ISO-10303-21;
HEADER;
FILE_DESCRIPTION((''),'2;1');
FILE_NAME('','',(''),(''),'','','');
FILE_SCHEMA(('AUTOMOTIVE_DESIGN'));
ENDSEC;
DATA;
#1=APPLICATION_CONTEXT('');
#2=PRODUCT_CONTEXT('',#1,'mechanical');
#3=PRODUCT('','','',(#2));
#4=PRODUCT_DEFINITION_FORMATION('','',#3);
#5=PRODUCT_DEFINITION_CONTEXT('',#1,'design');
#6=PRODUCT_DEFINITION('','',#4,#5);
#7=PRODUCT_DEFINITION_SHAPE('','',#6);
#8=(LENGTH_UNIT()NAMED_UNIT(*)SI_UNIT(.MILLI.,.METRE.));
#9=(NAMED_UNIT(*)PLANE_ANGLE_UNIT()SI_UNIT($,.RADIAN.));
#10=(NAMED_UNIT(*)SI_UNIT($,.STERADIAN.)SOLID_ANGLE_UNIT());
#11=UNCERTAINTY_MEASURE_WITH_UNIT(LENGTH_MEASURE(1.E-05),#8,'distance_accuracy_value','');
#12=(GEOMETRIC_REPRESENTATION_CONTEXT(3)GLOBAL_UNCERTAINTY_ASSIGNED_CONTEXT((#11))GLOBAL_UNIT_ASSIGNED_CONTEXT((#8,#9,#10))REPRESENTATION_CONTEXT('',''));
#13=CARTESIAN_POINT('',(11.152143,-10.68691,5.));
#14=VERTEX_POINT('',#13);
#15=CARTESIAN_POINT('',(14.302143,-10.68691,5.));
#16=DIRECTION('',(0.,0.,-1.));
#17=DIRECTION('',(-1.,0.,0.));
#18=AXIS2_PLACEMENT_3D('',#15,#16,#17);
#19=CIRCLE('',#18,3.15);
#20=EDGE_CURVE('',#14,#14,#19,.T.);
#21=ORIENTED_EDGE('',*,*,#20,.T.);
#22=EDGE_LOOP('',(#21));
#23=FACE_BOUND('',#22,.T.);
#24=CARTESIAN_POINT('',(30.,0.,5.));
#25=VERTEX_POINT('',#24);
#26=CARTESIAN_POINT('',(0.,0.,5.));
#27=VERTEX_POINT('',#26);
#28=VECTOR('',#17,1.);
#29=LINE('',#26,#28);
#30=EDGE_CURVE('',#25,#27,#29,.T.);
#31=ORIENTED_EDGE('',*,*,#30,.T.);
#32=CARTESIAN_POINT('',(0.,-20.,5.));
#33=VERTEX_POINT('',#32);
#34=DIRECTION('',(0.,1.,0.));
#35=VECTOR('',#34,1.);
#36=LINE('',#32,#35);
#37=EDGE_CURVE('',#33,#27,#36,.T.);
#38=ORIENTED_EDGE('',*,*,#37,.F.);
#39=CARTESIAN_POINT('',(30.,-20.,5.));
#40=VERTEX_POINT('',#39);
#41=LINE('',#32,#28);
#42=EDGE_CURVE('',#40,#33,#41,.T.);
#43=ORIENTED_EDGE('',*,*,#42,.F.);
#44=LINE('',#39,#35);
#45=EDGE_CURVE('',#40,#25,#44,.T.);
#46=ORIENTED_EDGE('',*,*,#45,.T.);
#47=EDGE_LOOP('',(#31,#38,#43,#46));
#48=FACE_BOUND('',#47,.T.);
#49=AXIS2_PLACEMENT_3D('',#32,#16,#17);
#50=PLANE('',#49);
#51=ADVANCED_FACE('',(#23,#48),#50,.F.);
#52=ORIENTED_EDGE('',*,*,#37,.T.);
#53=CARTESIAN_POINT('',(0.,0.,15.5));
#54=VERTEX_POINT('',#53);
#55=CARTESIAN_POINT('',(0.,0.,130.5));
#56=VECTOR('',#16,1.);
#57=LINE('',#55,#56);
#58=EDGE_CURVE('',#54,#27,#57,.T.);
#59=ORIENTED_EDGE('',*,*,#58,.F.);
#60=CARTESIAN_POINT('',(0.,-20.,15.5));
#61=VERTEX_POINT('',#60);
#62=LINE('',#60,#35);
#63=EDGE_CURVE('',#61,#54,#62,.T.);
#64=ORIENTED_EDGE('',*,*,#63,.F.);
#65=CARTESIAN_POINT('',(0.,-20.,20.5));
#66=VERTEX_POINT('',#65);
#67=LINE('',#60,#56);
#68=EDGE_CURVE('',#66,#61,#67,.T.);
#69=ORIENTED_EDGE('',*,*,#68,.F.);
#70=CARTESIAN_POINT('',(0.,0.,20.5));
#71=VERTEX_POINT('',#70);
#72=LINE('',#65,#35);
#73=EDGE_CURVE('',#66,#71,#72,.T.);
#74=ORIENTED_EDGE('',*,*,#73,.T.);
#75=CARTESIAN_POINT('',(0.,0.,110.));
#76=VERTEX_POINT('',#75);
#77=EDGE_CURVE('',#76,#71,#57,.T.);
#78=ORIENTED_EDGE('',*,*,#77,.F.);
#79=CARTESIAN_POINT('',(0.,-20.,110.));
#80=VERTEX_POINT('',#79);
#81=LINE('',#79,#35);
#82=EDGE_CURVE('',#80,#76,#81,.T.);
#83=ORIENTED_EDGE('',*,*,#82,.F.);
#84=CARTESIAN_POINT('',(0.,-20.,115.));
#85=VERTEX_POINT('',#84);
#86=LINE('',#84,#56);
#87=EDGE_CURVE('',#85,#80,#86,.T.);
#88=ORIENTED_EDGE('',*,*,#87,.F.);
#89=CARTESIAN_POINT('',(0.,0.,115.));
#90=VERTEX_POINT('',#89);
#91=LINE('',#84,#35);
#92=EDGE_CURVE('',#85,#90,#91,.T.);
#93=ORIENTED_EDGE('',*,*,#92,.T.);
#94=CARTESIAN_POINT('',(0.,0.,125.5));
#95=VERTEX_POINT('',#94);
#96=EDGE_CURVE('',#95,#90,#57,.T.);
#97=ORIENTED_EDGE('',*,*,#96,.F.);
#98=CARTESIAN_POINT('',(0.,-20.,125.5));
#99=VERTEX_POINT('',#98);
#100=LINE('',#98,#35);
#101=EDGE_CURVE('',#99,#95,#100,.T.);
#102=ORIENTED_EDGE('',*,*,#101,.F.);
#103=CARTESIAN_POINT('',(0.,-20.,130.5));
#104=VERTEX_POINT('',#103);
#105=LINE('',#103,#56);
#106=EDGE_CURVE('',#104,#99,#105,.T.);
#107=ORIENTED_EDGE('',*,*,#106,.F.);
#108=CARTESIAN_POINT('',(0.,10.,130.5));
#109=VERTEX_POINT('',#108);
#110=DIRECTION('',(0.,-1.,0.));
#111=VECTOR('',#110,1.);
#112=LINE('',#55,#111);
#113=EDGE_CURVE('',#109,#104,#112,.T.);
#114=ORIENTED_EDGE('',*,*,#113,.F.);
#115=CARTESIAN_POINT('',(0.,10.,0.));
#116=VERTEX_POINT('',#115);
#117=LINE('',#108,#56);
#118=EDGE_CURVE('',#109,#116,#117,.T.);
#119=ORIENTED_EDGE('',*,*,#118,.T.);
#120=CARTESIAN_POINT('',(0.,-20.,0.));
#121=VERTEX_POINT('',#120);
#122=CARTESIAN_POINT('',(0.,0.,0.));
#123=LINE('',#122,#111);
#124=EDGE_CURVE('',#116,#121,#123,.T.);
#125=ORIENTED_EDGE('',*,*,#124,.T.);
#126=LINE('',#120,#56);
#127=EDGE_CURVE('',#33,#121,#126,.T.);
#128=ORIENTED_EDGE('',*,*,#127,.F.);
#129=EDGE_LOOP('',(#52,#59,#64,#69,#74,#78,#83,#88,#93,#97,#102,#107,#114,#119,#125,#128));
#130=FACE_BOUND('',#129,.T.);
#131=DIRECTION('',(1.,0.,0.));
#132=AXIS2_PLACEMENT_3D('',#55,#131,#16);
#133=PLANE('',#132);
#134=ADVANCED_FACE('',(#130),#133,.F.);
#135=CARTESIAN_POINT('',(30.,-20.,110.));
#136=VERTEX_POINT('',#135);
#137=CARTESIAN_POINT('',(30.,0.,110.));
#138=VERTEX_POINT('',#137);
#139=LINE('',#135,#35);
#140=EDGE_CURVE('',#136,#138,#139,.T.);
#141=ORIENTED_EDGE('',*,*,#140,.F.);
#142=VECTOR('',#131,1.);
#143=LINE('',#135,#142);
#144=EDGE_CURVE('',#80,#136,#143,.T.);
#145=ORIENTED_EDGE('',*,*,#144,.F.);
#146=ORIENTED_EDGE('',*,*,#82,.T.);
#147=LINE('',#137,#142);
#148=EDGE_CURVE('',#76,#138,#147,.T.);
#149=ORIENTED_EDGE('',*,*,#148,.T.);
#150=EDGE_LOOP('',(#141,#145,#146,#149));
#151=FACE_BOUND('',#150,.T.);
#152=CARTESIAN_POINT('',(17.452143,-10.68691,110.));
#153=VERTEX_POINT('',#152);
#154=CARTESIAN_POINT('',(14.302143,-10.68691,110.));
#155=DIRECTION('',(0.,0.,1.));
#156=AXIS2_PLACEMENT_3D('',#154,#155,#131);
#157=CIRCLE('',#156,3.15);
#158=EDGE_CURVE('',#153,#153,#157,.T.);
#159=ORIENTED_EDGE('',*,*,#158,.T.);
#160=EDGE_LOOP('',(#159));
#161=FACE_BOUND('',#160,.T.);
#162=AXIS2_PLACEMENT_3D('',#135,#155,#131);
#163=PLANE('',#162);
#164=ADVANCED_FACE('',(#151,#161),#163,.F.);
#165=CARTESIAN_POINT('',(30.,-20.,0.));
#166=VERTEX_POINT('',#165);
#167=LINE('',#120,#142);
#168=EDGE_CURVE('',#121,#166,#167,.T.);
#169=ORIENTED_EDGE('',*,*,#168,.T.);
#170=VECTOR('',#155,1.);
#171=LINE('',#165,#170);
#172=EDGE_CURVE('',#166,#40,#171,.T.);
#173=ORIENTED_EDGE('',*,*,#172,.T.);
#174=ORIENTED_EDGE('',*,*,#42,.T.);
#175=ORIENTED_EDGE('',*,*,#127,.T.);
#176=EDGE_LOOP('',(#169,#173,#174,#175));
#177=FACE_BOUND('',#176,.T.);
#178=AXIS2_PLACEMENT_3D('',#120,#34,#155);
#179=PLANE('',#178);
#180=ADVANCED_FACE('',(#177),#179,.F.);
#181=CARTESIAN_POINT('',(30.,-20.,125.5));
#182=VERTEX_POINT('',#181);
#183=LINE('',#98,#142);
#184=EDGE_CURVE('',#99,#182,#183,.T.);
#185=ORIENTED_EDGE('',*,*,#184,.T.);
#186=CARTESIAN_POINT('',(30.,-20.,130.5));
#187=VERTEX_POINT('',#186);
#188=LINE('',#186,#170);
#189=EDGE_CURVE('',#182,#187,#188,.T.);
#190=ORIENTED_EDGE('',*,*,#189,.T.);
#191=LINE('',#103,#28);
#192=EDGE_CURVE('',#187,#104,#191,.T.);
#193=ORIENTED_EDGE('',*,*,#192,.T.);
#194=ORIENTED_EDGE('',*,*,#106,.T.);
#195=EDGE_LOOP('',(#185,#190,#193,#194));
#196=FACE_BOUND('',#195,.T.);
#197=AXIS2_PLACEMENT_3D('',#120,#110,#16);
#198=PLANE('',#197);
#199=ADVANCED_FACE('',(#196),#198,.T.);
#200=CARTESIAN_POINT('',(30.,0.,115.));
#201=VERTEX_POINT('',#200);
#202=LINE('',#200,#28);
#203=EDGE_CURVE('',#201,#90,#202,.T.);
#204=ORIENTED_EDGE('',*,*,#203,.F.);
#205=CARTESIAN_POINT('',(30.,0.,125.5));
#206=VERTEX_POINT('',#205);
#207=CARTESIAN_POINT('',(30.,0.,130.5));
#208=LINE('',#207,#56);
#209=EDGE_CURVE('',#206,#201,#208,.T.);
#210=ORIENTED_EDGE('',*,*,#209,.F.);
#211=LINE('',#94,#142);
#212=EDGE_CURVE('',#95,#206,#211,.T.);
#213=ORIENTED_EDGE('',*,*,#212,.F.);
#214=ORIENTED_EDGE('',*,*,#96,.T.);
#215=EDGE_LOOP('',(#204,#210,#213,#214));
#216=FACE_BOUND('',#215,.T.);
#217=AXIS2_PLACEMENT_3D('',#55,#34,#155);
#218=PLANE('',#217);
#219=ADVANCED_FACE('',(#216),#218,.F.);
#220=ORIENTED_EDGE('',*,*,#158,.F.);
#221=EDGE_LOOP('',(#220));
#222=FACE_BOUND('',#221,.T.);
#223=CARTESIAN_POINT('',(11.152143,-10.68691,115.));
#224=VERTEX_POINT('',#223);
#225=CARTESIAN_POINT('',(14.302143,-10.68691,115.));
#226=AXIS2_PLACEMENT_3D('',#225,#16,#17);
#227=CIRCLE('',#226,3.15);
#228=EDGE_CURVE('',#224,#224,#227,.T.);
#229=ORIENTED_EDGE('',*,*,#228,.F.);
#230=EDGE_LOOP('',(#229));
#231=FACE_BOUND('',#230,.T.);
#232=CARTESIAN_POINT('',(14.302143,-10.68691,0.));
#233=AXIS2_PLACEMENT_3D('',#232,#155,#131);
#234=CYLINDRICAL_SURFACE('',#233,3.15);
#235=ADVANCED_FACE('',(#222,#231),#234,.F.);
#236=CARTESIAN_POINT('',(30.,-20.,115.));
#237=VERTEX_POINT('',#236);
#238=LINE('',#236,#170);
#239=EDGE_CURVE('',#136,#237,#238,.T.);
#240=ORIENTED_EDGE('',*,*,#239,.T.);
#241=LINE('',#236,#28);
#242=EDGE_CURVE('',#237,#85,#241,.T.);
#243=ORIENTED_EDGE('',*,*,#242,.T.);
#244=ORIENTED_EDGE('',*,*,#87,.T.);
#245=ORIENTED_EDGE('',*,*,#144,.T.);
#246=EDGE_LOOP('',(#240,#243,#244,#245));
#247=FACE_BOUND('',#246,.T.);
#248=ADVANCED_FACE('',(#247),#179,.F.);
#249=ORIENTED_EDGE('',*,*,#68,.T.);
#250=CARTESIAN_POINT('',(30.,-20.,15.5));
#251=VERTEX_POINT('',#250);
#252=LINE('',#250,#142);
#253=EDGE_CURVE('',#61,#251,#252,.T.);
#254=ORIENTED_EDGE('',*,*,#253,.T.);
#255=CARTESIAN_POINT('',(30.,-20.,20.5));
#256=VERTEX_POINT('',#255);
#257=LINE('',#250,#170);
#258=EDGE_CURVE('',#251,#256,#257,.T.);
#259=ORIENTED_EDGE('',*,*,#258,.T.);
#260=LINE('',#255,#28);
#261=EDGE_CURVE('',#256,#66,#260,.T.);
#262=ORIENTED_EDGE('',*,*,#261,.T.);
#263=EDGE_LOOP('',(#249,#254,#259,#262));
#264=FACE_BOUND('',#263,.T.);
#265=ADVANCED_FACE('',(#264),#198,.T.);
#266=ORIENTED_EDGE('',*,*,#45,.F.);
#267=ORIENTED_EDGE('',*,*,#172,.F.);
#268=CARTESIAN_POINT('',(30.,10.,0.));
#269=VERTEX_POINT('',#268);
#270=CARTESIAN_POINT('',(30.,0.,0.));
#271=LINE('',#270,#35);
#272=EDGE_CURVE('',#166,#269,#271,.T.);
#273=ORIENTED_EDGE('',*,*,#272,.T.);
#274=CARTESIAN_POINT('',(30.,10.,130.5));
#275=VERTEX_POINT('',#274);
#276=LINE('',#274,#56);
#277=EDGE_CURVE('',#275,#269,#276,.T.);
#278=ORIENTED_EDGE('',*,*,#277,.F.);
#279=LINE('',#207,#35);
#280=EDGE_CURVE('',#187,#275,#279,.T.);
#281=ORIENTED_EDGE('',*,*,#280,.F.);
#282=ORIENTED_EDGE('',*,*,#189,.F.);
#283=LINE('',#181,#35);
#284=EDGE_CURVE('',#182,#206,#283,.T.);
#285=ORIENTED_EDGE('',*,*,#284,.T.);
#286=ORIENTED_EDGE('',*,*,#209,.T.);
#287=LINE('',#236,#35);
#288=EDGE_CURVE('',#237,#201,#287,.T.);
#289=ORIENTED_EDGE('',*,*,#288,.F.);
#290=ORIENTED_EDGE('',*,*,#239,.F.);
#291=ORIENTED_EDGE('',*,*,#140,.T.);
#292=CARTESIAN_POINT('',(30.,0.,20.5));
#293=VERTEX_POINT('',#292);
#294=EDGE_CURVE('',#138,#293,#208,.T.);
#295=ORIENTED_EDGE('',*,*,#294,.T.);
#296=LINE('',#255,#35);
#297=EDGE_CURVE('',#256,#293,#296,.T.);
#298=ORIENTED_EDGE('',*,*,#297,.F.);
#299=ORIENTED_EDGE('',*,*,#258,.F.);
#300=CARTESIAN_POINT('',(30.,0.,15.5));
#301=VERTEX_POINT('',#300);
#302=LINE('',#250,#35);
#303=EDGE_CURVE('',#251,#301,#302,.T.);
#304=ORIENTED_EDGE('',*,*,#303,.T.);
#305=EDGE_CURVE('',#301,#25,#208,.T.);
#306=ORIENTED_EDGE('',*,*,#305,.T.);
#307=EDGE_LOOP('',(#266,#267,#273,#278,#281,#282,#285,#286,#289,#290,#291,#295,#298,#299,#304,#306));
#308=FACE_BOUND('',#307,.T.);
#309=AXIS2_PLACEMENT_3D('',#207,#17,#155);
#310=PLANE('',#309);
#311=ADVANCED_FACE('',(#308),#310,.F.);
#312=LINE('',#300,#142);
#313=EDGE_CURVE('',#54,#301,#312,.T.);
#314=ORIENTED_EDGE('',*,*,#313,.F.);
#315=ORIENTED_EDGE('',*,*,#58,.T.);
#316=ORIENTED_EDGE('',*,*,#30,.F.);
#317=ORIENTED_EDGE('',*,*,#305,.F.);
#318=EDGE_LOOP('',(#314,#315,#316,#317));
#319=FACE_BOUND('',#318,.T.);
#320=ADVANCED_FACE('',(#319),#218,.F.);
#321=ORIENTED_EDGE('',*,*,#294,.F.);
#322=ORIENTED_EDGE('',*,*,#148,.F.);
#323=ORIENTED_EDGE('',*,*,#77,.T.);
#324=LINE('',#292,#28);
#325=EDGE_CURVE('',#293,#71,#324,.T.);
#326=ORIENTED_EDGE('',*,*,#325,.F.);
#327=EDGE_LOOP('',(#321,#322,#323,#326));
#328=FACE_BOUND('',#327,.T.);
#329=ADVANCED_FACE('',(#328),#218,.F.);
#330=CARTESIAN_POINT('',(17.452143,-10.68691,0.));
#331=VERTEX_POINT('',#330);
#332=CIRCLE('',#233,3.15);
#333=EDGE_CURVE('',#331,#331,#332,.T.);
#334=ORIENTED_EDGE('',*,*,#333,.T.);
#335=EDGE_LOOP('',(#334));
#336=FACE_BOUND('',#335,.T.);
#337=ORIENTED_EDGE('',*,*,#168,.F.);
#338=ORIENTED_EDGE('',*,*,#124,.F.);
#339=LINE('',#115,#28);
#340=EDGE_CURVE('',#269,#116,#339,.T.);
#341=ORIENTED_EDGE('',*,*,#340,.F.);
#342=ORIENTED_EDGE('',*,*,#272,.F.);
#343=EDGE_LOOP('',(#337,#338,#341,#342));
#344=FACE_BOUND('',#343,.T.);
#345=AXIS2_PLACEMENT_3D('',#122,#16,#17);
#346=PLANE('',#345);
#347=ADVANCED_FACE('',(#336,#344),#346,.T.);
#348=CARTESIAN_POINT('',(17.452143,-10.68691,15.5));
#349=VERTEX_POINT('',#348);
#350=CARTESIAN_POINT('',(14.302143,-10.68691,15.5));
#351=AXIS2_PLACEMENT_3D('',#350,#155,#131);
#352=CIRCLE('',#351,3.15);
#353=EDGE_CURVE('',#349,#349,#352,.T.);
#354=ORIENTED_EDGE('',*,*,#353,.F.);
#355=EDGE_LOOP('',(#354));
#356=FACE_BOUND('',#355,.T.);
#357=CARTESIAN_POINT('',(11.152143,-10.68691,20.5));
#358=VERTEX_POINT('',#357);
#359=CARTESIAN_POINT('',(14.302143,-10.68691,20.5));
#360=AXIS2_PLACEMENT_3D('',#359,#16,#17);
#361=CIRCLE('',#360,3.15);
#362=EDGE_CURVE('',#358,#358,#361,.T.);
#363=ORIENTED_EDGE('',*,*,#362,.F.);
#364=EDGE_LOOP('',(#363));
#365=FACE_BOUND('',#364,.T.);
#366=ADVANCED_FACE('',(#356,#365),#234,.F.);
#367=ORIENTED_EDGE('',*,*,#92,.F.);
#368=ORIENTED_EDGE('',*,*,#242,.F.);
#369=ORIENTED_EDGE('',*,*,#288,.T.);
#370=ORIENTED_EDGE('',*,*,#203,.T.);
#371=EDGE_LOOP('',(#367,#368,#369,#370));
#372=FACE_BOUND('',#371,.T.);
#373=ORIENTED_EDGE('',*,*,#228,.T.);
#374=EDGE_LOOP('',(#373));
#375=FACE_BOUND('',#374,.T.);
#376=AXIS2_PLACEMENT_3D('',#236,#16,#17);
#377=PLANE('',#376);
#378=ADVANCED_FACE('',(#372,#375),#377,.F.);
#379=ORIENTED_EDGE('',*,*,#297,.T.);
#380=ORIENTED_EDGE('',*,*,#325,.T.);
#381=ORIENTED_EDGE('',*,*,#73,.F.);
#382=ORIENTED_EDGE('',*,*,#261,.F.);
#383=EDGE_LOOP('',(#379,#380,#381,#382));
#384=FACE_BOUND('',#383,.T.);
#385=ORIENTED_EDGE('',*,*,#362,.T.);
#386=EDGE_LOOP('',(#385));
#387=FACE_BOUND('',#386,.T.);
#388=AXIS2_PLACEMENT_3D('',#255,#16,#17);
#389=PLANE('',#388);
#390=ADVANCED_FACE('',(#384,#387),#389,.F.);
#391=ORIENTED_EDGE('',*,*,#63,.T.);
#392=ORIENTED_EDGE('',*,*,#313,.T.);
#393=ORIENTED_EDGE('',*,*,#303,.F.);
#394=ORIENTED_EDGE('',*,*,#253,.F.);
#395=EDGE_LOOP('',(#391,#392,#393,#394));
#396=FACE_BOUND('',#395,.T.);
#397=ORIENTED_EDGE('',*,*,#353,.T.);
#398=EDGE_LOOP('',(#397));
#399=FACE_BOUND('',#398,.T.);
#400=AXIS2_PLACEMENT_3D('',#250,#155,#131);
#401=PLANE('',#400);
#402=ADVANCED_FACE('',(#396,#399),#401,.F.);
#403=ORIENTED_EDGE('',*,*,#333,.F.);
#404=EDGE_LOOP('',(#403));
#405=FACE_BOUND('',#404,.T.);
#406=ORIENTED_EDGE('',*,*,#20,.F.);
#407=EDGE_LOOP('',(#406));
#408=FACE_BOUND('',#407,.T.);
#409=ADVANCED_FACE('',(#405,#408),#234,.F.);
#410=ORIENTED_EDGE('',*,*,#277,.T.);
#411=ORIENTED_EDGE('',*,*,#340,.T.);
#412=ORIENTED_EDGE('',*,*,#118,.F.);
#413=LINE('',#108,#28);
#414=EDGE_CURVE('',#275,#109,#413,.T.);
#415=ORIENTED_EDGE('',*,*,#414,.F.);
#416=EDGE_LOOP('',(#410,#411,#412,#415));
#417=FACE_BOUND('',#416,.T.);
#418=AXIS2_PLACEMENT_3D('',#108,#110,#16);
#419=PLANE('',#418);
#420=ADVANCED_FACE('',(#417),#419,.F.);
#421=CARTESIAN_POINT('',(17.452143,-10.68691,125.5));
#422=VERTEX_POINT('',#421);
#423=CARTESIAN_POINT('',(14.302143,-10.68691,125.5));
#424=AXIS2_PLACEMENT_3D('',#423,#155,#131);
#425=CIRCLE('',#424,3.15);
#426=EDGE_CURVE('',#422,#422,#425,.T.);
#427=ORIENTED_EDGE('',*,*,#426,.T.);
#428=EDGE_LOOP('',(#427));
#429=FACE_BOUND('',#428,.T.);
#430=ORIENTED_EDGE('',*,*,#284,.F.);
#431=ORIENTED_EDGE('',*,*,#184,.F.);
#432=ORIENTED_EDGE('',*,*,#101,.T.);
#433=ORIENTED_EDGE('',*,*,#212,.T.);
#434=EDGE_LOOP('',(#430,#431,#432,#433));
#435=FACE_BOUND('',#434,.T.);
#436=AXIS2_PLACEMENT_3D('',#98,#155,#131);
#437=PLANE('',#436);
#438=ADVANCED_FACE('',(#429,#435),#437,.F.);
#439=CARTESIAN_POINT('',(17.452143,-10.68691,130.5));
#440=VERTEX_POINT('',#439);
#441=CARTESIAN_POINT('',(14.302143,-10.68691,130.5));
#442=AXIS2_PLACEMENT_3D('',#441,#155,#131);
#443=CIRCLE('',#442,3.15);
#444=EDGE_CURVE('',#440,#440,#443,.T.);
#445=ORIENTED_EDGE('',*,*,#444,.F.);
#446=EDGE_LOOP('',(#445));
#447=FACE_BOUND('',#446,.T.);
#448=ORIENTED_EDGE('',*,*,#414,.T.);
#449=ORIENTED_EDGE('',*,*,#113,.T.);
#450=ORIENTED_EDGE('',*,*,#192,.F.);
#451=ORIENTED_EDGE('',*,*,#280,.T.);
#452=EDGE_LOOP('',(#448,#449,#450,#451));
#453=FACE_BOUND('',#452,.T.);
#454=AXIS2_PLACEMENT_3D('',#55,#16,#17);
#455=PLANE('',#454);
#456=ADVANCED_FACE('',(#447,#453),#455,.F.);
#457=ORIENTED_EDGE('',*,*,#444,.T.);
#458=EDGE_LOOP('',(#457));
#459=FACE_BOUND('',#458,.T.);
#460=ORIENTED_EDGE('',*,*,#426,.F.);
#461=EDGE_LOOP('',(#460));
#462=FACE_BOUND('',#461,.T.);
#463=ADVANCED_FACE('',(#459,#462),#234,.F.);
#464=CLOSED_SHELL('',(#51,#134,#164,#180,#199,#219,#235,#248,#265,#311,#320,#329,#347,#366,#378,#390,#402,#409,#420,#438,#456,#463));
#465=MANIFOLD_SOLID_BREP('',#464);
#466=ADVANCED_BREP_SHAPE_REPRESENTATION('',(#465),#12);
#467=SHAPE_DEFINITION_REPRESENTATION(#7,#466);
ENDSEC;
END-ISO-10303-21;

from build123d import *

# Parameters (mm, degrees)
ESQUISSE1_W             = 30
ESQUISSE1_H             = 10
BOSS_EXTRU_1_DEPTH      = 130.5
ESQUISSE2_W             = 30
ESQUISSE2_H             = 5
BOSS_EXTRU_2_DEPTH      = 20
ESQUISSE3_R             = 3.15
ENL_V_MAT_EXTRU_2_DEPTH = 136.389253636


with BuildPart() as part:
    # Esquisse1 → Boss.-Extru.1 (new body)
    with BuildSketch(Plane.XY):
        with Locations((15, 5)):
            Rectangle(ESQUISSE1_W, ESQUISSE1_H)
    extrude(amount=BOSS_EXTRU_1_DEPTH)

    # Esquisse2 → Boss.-Extru.2 (add)
    with BuildSketch(Plane.XZ):
        with Locations((15, 2.5)):
            Rectangle(ESQUISSE2_W, ESQUISSE2_H)
        with Locations((15, 18)):
            Rectangle(ESQUISSE2_W, ESQUISSE2_H)
        with Locations((15, 128)):
            Rectangle(ESQUISSE2_W, ESQUISSE2_H)
        with Locations((15, 112.5)):
            Rectangle(ESQUISSE2_W, ESQUISSE2_H)
    extrude(amount=BOSS_EXTRU_2_DEPTH)

    # Esquisse3 → Enlèv. mat.-Extru.2 (cut, through all)
    with BuildSketch(Plane.XY.offset(130.5)):
        with Locations((14.302143115, -10.686909811)):
            Circle(ESQUISSE3_R)
    extrude(amount=-ENL_V_MAT_EXTRU_2_DEPTH, mode=Mode.SUBTRACT)


solid = part.part
